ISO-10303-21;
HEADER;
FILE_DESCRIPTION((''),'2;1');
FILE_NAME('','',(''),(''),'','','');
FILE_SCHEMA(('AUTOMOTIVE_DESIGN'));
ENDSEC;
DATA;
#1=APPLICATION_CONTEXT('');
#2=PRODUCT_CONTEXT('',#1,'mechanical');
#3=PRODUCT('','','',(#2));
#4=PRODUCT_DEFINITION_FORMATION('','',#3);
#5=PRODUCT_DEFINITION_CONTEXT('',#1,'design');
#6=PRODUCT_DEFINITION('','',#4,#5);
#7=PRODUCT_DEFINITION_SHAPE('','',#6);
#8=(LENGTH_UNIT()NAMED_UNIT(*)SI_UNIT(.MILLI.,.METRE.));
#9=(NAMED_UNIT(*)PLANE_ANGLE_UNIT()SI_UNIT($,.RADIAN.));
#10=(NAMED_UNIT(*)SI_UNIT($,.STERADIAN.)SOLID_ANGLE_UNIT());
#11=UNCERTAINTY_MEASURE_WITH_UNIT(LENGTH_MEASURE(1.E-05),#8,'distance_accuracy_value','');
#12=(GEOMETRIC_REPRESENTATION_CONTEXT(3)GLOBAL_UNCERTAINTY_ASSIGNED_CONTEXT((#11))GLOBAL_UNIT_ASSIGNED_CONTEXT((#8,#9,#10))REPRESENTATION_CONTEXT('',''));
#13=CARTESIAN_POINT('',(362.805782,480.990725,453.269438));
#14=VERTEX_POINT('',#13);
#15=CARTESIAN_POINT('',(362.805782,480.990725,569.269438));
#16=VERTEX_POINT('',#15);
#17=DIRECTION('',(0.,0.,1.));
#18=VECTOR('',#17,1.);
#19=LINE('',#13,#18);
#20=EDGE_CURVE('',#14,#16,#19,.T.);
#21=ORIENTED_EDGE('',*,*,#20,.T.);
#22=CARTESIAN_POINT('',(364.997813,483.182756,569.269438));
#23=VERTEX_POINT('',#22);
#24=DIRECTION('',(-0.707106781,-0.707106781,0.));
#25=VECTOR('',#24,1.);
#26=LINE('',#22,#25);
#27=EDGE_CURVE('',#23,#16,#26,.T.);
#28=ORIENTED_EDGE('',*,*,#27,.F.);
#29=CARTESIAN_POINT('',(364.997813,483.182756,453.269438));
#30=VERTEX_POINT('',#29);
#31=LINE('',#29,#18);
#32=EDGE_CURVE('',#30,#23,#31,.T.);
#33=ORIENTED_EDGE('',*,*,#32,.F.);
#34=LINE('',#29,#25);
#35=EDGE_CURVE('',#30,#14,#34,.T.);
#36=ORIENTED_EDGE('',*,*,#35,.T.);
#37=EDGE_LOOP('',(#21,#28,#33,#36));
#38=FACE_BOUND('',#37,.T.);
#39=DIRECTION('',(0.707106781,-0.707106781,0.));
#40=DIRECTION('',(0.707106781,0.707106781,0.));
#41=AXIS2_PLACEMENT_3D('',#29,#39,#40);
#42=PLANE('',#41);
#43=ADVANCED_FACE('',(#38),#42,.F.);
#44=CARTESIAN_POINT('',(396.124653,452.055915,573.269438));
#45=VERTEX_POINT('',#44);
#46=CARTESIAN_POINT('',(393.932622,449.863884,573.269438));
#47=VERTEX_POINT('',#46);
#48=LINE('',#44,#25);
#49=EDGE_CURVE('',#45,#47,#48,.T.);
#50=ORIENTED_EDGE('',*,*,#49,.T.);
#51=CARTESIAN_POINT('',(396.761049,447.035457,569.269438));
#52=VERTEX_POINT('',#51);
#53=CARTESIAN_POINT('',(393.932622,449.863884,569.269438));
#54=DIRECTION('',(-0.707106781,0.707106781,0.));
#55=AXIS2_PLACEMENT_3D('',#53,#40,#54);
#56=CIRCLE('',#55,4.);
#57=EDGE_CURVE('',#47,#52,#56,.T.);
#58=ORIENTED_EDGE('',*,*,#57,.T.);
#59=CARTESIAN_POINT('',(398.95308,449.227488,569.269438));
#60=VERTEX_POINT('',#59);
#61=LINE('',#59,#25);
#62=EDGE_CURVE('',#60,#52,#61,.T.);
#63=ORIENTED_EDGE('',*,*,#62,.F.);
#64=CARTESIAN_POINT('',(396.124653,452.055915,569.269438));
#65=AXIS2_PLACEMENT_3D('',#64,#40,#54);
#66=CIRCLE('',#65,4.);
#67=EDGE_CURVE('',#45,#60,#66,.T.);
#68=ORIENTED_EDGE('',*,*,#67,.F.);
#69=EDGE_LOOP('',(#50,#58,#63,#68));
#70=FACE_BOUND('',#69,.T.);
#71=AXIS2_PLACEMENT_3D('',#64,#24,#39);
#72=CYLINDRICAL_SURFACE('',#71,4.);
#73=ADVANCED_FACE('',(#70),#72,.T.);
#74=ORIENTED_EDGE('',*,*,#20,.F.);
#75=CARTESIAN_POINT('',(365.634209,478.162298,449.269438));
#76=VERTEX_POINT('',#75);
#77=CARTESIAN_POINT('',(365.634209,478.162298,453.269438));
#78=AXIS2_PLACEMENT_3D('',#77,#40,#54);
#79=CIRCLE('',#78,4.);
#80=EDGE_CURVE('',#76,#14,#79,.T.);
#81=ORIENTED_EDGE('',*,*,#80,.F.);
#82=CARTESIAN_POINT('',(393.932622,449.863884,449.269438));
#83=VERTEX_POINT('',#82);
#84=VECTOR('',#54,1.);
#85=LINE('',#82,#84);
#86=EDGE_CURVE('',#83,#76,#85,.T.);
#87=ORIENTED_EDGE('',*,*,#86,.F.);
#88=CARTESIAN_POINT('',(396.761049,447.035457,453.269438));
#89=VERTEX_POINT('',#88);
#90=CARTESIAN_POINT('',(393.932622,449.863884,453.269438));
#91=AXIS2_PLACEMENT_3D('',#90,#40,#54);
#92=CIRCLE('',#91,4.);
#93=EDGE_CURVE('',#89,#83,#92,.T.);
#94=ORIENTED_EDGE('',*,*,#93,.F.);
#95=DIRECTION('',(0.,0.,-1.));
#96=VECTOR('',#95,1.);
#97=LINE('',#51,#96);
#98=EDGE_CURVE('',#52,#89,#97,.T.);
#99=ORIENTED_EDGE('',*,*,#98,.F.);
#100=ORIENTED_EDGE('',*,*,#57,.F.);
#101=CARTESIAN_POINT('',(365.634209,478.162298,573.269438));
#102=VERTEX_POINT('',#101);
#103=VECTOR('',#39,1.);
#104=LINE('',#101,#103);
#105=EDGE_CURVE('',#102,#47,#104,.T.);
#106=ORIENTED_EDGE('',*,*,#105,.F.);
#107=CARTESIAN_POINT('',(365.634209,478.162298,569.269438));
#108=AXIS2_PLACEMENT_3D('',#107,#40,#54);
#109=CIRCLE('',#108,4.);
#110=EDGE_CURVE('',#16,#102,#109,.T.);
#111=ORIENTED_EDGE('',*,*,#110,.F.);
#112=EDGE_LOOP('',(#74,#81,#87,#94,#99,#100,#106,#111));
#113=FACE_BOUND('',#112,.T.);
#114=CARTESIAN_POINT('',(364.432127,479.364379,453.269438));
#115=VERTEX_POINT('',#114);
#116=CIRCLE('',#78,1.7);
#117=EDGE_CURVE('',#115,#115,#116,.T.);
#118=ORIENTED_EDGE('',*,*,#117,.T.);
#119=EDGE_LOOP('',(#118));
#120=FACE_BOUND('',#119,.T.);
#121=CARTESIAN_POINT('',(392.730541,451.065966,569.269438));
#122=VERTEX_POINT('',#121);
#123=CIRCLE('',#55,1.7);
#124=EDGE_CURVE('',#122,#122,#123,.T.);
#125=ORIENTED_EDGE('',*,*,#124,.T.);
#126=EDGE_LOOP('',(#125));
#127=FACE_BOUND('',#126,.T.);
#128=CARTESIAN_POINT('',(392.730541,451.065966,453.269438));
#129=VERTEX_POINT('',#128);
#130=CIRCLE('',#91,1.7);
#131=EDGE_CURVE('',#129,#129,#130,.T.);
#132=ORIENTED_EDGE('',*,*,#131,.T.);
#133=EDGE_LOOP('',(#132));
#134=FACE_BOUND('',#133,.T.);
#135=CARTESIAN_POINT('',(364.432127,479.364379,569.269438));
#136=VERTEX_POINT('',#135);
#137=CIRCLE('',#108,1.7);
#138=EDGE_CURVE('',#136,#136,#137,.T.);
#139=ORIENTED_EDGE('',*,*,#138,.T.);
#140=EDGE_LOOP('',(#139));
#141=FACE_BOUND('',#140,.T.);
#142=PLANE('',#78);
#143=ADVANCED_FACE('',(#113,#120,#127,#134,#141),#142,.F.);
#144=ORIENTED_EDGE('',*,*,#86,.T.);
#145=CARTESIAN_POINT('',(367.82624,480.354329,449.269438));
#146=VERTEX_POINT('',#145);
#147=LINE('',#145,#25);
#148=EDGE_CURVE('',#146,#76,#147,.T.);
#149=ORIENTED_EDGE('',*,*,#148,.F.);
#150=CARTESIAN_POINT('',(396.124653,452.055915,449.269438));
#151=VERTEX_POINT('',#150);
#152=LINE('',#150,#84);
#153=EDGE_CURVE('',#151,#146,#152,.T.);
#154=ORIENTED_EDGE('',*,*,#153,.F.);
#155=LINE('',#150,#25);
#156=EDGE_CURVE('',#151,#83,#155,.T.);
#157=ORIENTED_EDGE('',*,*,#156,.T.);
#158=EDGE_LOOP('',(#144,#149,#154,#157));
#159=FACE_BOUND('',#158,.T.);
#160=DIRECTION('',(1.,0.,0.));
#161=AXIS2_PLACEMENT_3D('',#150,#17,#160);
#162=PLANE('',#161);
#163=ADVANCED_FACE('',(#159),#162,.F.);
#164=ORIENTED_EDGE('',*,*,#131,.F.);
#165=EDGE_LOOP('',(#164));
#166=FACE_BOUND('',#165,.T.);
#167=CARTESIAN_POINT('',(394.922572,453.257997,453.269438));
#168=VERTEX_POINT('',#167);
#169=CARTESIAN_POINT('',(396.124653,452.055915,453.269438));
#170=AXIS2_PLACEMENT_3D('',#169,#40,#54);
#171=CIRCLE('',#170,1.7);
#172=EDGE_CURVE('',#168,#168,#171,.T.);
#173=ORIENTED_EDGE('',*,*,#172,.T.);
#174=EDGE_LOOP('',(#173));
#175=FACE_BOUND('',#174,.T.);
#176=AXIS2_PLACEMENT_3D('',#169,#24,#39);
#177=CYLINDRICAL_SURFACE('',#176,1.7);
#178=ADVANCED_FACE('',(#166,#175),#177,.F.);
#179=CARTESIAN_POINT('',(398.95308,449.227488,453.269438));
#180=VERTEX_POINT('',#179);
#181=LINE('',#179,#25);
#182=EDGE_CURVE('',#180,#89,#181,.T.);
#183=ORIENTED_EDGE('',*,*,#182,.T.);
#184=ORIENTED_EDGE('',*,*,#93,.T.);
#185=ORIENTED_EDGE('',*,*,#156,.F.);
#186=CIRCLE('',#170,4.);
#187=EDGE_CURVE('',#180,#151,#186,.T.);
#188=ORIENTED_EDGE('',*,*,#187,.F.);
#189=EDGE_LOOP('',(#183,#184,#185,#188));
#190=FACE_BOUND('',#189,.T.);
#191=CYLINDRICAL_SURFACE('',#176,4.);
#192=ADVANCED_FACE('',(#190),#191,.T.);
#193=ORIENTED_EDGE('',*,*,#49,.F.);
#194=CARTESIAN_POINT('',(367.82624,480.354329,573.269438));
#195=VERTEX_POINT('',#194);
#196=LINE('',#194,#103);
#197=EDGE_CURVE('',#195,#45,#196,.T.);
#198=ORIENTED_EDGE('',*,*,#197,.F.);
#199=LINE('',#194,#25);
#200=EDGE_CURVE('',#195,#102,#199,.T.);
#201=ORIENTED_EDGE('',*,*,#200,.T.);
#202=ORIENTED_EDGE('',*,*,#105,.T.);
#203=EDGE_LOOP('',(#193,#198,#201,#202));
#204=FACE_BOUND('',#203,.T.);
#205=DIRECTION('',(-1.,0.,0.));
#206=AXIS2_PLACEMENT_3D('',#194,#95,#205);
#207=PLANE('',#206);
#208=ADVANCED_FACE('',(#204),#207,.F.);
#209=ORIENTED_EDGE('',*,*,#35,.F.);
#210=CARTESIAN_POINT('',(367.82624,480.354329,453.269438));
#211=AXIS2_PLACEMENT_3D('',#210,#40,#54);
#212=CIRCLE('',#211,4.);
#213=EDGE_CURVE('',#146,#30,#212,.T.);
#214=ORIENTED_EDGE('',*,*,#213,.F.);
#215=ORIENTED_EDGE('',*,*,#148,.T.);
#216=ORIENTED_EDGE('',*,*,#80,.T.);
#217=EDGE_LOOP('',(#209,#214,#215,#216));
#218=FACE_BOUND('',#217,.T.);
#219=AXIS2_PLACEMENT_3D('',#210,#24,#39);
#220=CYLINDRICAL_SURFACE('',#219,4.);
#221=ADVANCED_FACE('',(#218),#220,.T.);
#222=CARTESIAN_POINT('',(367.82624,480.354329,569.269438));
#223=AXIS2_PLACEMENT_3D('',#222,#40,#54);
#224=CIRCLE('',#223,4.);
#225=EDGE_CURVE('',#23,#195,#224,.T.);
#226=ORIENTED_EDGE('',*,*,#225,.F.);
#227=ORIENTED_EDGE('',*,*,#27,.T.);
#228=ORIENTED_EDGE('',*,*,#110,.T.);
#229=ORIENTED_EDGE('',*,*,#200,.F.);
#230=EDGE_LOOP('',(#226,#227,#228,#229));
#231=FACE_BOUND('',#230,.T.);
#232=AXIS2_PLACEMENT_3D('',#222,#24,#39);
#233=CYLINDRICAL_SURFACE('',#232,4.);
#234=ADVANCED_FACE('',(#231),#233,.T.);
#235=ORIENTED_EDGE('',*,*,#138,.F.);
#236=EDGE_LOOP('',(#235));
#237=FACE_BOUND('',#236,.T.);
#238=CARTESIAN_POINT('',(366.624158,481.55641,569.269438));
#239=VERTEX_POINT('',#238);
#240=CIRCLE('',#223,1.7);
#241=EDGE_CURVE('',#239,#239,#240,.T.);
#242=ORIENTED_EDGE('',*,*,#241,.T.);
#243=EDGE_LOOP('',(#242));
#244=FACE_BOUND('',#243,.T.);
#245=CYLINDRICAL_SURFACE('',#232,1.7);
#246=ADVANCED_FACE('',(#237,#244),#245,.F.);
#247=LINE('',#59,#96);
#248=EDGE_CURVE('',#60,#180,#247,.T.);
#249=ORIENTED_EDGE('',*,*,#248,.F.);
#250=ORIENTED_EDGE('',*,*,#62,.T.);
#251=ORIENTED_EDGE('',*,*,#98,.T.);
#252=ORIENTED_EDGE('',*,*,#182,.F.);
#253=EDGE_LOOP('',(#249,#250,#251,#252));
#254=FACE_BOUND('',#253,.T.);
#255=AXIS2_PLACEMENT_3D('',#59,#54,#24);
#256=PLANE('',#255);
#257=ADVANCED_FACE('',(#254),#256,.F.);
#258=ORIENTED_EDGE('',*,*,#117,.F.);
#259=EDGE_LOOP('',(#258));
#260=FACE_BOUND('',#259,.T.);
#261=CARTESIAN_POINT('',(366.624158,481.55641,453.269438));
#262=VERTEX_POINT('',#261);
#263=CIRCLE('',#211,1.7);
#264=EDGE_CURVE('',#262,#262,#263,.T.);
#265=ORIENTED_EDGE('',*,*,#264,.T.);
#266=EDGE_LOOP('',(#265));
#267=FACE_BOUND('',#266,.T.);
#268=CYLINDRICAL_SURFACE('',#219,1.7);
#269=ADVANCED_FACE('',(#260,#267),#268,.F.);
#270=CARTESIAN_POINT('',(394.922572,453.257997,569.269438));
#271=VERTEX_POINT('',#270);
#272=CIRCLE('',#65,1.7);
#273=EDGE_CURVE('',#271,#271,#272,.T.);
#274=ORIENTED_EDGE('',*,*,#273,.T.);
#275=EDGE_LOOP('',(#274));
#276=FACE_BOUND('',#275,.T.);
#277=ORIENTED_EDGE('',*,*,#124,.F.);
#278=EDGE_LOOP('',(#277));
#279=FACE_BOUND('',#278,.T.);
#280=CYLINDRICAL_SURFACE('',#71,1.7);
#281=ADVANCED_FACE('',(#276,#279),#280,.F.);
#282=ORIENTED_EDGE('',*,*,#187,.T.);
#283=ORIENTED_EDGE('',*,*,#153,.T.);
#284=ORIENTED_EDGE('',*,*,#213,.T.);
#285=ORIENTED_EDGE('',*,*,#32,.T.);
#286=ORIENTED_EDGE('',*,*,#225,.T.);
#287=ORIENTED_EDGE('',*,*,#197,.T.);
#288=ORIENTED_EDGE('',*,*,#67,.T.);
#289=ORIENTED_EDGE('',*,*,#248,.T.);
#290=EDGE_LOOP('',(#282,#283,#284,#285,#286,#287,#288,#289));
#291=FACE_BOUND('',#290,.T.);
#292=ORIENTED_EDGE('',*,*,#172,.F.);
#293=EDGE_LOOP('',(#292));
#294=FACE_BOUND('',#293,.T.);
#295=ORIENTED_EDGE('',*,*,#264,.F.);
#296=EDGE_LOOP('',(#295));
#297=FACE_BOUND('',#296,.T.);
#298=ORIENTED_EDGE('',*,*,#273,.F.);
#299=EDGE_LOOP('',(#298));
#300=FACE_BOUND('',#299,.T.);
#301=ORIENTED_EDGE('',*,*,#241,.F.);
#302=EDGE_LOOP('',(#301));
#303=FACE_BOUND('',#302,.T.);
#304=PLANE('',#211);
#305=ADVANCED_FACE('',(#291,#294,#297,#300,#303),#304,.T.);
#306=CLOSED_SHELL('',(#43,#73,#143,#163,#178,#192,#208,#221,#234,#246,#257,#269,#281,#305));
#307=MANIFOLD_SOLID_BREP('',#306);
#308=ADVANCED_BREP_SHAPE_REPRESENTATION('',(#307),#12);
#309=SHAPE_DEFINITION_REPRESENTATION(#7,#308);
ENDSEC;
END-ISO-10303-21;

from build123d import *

# Parameters (mm, degrees)
SKETCH1_R           = 1.7
BOSS_EXTRUDE1_DEPTH = 3.1


with BuildPart() as part:
    # Sketch1 → Boss-Extrude1 (new body)
    with BuildSketch(Plane(origin=(421.898253235, 421.898253235, 0), x_dir=(0, 0, -1), z_dir=(0.707106781, 0.707106781, 0))):
        with BuildLine():
            Line((-449.269437623, 39.54937482), (-449.269437623, 79.56937482))
            ThreePointArc((-449.269437623, 79.56937482), (-450.441010499, 82.397801944), (-453.269437623, 83.56937482))
            Line((-453.269437623, 83.56937482), (-569.269437623, 83.56937482))
            ThreePointArc((-569.269437623, 83.56937482), (-572.097864748, 82.397801944), (-573.269437623, 79.56937482))
            Line((-573.269437623, 79.56937482), (-573.269437623, 39.54937482))
            ThreePointArc((-573.269437623, 39.54937482), (-572.097864748, 36.720947695), (-569.269437623, 35.54937482))
            Line((-569.269437623, 35.54937482), (-453.269437623, 35.54937482))
            ThreePointArc((-453.269437623, 35.54937482), (-450.441010499, 36.720947695), (-449.269437623, 39.54937482))
        make_face()
        with Locations((-569.269437623, 79.56937482)):
            Circle(SKETCH1_R, mode=Mode.SUBTRACT)
        with Locations((-569.269437623, 39.54937482)):
            Circle(SKETCH1_R, mode=Mode.SUBTRACT)
        with Locations((-453.269437623, 39.54937482)):
            Circle(SKETCH1_R, mode=Mode.SUBTRACT)
        with Locations((-453.269437623, 79.56937482)):
            Circle(SKETCH1_R, mode=Mode.SUBTRACT)
    extrude(amount=BOSS_EXTRUDE1_DEPTH)


solid = part.part
